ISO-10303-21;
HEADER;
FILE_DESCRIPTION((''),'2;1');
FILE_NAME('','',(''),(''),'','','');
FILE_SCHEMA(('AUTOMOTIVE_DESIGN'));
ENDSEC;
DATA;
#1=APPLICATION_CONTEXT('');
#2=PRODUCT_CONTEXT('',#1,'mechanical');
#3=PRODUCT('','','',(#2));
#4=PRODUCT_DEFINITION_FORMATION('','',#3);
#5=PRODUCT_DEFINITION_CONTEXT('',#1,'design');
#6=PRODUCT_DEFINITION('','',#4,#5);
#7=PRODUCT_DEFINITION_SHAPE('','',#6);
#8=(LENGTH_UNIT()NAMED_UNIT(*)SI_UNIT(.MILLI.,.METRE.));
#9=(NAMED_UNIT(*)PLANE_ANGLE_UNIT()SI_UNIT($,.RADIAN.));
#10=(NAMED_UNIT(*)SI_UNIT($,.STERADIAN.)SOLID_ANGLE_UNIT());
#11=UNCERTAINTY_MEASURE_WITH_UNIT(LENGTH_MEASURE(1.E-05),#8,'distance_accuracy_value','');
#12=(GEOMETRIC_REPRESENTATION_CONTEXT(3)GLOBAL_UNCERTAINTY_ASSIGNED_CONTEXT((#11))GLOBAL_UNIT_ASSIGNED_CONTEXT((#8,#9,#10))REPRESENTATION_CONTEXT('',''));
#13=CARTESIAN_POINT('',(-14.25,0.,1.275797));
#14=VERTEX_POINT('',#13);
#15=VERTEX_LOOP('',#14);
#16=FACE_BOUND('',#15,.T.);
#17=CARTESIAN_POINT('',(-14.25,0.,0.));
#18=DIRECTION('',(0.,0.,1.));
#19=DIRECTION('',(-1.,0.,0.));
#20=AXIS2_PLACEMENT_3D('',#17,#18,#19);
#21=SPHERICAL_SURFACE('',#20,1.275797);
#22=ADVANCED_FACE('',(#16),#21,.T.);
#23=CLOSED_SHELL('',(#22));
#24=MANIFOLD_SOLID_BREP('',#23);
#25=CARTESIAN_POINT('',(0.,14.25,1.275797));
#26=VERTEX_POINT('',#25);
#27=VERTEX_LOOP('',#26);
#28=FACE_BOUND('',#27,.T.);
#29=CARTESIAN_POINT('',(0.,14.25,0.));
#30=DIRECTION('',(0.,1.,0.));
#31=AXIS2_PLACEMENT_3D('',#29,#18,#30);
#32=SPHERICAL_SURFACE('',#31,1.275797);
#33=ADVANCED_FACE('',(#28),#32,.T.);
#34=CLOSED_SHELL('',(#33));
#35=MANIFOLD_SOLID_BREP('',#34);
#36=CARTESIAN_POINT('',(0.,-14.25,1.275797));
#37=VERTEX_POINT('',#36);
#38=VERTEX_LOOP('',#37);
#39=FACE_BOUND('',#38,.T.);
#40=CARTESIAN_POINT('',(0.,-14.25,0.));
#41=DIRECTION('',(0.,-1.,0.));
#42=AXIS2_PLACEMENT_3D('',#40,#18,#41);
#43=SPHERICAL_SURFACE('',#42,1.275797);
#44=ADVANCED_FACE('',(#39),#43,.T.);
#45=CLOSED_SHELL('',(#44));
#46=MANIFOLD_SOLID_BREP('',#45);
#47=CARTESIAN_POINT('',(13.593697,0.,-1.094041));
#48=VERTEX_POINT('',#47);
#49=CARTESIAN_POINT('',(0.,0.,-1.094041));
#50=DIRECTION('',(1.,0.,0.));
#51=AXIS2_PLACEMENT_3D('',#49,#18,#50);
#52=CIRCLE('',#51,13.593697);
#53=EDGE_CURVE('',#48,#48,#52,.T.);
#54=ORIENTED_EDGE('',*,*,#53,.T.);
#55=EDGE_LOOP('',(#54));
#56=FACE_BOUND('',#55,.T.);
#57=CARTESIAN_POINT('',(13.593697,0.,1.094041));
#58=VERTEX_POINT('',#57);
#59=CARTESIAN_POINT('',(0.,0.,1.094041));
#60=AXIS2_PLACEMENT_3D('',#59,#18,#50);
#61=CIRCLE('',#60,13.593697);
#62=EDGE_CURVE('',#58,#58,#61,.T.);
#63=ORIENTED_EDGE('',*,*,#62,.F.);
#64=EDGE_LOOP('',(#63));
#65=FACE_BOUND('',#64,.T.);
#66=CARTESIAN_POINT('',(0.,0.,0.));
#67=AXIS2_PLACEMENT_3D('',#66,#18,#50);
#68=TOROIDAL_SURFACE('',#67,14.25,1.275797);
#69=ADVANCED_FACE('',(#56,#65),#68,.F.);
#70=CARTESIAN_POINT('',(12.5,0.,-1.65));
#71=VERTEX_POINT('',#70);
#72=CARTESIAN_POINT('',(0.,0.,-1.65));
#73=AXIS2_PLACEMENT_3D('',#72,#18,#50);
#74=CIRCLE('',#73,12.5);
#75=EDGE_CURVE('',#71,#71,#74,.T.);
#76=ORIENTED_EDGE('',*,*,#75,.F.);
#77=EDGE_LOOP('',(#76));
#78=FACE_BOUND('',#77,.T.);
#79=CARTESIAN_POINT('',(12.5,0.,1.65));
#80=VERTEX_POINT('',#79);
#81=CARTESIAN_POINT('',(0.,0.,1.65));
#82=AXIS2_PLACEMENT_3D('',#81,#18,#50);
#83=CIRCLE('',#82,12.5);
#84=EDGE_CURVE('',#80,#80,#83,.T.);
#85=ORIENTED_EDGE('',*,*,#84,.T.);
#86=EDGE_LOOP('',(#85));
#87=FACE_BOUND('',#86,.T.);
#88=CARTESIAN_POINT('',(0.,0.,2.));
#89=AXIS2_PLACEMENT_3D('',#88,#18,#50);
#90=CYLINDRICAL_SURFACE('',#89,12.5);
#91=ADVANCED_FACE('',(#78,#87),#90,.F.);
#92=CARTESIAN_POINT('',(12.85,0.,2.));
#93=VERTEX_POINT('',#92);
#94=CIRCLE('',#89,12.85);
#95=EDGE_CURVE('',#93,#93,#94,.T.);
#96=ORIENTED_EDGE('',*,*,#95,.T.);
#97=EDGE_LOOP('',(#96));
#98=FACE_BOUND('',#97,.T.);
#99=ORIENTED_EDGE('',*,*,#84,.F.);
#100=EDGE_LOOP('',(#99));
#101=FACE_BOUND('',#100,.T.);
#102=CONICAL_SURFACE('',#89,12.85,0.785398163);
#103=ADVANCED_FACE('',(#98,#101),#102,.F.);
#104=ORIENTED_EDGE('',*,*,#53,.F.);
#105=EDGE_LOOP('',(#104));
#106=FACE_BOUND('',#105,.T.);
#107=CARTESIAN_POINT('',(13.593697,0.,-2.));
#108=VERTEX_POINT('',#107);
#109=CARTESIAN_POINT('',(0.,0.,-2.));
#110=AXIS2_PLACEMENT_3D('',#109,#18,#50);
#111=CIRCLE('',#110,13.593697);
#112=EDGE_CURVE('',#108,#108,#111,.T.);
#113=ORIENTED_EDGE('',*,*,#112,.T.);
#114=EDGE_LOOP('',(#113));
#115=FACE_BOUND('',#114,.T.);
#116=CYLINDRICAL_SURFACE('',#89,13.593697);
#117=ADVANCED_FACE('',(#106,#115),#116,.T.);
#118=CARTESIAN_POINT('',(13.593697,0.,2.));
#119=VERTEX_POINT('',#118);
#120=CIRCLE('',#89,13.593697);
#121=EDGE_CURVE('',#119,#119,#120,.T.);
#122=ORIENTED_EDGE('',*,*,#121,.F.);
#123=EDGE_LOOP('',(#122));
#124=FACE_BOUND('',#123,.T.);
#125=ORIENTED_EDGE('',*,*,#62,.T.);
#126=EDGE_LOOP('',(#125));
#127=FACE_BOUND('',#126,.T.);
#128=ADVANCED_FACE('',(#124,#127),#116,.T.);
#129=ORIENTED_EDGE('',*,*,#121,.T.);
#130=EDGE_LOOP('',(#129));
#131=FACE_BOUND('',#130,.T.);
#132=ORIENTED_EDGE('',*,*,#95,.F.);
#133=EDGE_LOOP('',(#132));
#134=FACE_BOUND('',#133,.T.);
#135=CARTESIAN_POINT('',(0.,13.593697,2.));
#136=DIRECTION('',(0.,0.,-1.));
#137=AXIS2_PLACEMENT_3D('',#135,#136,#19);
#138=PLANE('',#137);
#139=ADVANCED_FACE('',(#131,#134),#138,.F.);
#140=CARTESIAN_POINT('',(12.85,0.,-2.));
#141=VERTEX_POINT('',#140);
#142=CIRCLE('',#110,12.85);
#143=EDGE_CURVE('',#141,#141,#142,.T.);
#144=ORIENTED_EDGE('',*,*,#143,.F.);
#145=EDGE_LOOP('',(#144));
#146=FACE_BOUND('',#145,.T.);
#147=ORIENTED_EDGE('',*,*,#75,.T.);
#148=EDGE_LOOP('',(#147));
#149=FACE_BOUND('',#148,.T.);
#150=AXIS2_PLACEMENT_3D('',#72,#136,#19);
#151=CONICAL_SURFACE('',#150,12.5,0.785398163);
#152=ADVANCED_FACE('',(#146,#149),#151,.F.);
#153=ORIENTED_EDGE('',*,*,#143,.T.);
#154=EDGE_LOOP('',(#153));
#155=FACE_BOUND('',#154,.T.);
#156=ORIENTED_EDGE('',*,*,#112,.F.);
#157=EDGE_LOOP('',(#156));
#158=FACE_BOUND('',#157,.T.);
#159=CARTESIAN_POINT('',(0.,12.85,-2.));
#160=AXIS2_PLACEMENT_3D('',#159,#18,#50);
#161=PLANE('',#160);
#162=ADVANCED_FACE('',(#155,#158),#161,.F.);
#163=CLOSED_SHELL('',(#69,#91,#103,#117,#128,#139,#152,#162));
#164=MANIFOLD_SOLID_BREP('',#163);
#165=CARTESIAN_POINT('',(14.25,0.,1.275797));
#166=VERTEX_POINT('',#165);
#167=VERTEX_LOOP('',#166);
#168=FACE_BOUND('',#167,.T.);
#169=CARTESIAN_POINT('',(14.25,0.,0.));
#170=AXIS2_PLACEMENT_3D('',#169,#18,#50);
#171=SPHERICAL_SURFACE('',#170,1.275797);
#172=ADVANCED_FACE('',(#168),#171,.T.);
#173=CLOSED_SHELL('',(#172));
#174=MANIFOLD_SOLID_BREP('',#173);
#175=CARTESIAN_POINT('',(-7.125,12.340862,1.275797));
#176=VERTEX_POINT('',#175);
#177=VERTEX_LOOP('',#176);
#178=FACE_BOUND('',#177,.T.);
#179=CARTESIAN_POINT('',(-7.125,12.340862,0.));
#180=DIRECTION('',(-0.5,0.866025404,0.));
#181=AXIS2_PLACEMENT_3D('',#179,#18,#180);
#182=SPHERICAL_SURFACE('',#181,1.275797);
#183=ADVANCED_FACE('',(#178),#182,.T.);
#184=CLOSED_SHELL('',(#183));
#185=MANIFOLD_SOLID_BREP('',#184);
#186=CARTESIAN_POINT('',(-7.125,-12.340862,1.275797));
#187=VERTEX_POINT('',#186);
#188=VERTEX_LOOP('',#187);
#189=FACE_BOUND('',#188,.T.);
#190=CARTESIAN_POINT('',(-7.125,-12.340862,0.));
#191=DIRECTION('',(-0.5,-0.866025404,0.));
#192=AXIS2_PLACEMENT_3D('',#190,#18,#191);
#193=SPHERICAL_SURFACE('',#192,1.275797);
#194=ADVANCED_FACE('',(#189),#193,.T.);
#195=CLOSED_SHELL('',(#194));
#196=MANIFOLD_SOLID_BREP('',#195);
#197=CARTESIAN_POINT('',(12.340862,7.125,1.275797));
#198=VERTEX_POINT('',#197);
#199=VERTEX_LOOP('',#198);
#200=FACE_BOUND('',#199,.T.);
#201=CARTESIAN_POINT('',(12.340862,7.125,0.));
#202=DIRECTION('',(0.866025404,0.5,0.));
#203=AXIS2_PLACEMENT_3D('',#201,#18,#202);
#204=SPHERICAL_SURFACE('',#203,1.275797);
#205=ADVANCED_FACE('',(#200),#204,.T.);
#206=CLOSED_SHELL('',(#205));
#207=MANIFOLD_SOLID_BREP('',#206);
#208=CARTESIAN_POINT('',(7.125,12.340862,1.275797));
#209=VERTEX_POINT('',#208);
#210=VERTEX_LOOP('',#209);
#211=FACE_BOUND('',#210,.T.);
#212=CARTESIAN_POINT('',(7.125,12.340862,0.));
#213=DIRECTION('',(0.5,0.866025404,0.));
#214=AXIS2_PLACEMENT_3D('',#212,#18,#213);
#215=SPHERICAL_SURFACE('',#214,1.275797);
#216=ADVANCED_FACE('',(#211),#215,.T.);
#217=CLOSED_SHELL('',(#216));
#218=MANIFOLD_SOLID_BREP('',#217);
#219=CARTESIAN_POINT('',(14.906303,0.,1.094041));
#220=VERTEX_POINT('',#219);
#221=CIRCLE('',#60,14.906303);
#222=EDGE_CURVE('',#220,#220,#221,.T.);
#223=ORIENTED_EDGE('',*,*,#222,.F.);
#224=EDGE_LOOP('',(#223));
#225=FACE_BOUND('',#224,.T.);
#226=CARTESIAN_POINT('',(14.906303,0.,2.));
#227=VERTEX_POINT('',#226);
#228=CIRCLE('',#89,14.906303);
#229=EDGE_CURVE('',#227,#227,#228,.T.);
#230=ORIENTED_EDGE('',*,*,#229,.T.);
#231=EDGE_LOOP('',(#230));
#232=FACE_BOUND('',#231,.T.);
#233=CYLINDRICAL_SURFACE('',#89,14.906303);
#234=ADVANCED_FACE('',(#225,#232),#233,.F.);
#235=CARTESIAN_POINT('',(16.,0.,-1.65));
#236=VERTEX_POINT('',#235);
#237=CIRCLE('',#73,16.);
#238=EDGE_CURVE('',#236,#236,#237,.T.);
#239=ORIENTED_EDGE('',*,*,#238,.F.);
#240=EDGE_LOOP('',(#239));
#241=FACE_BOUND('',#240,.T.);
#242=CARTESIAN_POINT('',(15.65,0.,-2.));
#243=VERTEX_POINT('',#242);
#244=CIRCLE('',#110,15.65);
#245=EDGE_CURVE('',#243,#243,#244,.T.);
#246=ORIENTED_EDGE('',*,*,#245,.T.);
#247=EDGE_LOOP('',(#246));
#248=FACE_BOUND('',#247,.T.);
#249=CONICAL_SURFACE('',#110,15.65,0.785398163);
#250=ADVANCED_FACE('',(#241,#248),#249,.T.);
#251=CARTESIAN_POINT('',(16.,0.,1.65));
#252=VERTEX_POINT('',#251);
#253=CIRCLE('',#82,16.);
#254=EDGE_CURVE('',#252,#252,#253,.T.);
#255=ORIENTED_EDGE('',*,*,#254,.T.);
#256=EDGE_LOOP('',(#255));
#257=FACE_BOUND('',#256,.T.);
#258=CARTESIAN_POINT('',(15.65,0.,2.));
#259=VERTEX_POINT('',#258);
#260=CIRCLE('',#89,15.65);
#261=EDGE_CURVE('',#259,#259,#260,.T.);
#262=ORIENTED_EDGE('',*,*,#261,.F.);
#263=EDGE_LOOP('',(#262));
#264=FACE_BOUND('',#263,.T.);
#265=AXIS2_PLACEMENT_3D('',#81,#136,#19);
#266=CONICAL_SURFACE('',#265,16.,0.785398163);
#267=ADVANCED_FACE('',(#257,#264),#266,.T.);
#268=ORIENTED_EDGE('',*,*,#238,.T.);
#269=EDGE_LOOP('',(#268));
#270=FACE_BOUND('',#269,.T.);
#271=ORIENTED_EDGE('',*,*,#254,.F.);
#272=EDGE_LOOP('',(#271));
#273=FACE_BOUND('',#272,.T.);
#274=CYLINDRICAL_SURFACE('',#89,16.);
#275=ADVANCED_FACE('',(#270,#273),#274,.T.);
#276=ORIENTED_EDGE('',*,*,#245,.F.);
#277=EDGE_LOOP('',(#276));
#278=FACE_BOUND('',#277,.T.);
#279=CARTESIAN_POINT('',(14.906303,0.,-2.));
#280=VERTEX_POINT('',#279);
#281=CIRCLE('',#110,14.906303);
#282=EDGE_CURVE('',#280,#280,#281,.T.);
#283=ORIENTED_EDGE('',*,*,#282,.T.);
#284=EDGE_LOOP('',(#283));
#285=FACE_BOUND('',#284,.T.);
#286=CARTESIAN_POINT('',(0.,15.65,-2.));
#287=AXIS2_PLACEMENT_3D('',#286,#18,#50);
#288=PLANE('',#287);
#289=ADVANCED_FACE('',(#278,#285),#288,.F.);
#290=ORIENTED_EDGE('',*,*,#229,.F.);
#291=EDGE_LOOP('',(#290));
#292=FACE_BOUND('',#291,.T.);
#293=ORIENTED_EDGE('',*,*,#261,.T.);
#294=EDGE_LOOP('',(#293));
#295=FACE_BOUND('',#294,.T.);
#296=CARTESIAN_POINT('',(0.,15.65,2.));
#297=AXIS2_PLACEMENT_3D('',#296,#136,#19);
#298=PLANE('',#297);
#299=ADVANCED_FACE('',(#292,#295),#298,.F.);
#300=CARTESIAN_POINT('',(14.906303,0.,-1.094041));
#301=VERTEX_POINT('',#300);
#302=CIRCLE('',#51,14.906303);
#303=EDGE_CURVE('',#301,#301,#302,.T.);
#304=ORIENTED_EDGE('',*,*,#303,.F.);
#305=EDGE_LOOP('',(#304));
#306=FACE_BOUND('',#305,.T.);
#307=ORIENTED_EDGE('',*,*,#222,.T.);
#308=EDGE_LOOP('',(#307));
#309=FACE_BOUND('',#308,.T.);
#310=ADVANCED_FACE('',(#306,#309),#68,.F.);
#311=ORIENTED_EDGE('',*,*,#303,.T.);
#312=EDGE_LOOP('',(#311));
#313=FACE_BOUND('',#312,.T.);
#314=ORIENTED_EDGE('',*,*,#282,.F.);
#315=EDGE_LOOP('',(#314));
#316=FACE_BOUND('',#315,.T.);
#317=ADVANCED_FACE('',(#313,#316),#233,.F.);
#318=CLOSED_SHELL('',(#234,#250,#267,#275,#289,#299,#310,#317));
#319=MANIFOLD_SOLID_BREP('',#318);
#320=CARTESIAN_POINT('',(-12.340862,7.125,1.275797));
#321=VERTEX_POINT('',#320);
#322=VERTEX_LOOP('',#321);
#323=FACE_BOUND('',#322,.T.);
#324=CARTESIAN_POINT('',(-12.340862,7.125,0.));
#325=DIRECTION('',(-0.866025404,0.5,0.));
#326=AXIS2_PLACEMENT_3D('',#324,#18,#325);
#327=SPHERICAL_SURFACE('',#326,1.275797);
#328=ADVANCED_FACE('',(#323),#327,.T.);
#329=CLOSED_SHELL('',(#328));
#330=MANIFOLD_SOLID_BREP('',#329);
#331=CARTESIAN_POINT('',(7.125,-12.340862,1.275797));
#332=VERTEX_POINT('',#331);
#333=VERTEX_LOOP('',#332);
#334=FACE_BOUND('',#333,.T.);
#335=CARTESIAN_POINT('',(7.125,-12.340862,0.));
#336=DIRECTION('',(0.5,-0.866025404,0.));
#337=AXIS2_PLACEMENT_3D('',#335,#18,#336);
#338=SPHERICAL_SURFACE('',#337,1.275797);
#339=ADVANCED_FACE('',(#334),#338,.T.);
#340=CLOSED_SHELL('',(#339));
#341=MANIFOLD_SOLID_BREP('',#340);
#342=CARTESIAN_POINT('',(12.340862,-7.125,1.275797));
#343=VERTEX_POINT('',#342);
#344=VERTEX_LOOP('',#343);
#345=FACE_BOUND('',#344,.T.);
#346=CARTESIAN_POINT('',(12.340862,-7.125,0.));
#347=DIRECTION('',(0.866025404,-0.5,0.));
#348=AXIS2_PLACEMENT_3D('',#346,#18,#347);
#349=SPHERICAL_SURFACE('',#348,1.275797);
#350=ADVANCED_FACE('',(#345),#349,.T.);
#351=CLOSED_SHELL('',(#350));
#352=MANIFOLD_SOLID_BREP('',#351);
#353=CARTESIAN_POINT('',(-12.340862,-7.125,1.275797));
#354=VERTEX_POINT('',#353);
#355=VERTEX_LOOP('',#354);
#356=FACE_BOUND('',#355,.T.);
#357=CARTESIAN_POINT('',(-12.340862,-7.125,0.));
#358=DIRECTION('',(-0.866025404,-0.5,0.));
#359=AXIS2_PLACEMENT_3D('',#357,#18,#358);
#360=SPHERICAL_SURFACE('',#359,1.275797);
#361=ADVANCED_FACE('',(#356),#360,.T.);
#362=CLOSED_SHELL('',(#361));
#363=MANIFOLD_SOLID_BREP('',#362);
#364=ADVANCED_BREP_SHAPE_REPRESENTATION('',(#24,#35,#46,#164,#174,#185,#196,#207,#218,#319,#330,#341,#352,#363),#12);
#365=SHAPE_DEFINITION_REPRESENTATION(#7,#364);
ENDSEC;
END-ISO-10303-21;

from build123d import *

# Parameters (mm, degrees)
CIRPATTERN1_COUNT = 12


with BuildPart() as part:
    # Sketch1 → Revolve1 (revolve)
    with BuildSketch(Plane(origin=(0, 0, 0), x_dir=(0, 0, -1), z_dir=(1, 0, 0))):
        with BuildLine():
            Line((1.65, 16), (-1.65, 16))
            Line((-1.65, 16), (-2, 15.65))
            Line((-2, 15.65), (-2, 14.906302655))
            Line((-2, 14.906302655), (-1.094040627, 14.906302655))
            ThreePointArc((-1.094040627, 14.906302655), (0, 15.525797033), (1.094040627, 14.906302655))
            Line((1.094040627, 14.906302655), (2, 14.906302655))
            Line((2, 14.906302655), (2, 15.65))
            Line((2, 15.65), (1.65, 16))
        make_face()
    revolve(axis=Axis((0, 0, 2), (0, 0, -1)))


with BuildPart() as body_2:
    # Sketch3 → Revolve3 (revolve)
    with BuildSketch(Plane(origin=(0, 0, 0), x_dir=(0, 0, -1), z_dir=(1, 0, 0))):
        with BuildLine():
            Line((-2, 13.593697345), (-1.094040627, 13.593697345))
            ThreePointArc((-1.094040627, 13.593697345), (0, 12.974202967), (1.094040627, 13.593697345))
            Line((1.094040627, 13.593697345), (2, 13.593697345))
            Line((2, 13.593697345), (2, 12.85))
            Line((2, 12.85), (1.65, 12.5))
            Line((1.65, 12.5), (-1.65, 12.5))
            Line((-1.65, 12.5), (-2, 12.85))
            Line((-2, 12.85), (-2, 13.593697345))
        make_face()
    revolve(axis=Axis((0, 0, 2), (0, 0, -1)))


with BuildPart() as body_3:
    # Sketch4 → Revolve4 (revolve)
    with BuildSketch(Plane(origin=(0, 0, 0), x_dir=(0, 0, -1), z_dir=(1, 0, 0))):
        with BuildLine():
            Line((-1.275797033, 14.25), (1.275797033, 14.25))
            ThreePointArc((1.275797033, 14.25), (0, 15.525797033), (-1.275797033, 14.25))
        make_face()
    revolve(axis=Axis((0, 14.25, 1.275797033), (0, 0, -1)))


with BuildPart() as cirpattern1_1:
    # CirPattern1: pattern copy
    add(body_3.part.rotate(Axis((0, 0, -2), (0, 0, 1)), 1 * 360 / CIRPATTERN1_COUNT))


with BuildPart() as cirpattern1_2:
    # CirPattern1: pattern copy
    add(body_3.part.rotate(Axis((0, 0, -2), (0, 0, 1)), 2 * 360 / CIRPATTERN1_COUNT))


with BuildPart() as cirpattern1_3:
    # CirPattern1: pattern copy
    add(body_3.part.rotate(Axis((0, 0, -2), (0, 0, 1)), 3 * 360 / CIRPATTERN1_COUNT))


with BuildPart() as cirpattern1_4:
    # CirPattern1: pattern copy
    add(body_3.part.rotate(Axis((0, 0, -2), (0, 0, 1)), 4 * 360 / CIRPATTERN1_COUNT))


with BuildPart() as cirpattern1_5:
    # CirPattern1: pattern copy
    add(body_3.part.rotate(Axis((0, 0, -2), (0, 0, 1)), 5 * 360 / CIRPATTERN1_COUNT))


with BuildPart() as cirpattern1_6:
    # CirPattern1: pattern copy
    add(body_3.part.rotate(Axis((0, 0, -2), (0, 0, 1)), 6 * 360 / CIRPATTERN1_COUNT))


with BuildPart() as cirpattern1_7:
    # CirPattern1: pattern copy
    add(body_3.part.rotate(Axis((0, 0, -2), (0, 0, 1)), 7 * 360 / CIRPATTERN1_COUNT))


with BuildPart() as cirpattern1_8:
    # CirPattern1: pattern copy
    add(body_3.part.rotate(Axis((0, 0, -2), (0, 0, 1)), 8 * 360 / CIRPATTERN1_COUNT))


with BuildPart() as cirpattern1_9:
    # CirPattern1: pattern copy
    add(body_3.part.rotate(Axis((0, 0, -2), (0, 0, 1)), 9 * 360 / CIRPATTERN1_COUNT))


with BuildPart() as cirpattern1_10:
    # CirPattern1: pattern copy
    add(body_3.part.rotate(Axis((0, 0, -2), (0, 0, 1)), 10 * 360 / CIRPATTERN1_COUNT))


with BuildPart() as cirpattern1_11:
    # CirPattern1: pattern copy
    add(body_3.part.rotate(Axis((0, 0, -2), (0, 0, 1)), 11 * 360 / CIRPATTERN1_COUNT))


solid = Compound([part.part, body_2.part, body_3.part, cirpattern1_1.part, cirpattern1_2.part, cirpattern1_3.part, cirpattern1_4.part, cirpattern1_5.part, cirpattern1_6.part, cirpattern1_7.part, cirpattern1_8.part, cirpattern1_9.part, cirpattern1_10.part, cirpattern1_11.part])
